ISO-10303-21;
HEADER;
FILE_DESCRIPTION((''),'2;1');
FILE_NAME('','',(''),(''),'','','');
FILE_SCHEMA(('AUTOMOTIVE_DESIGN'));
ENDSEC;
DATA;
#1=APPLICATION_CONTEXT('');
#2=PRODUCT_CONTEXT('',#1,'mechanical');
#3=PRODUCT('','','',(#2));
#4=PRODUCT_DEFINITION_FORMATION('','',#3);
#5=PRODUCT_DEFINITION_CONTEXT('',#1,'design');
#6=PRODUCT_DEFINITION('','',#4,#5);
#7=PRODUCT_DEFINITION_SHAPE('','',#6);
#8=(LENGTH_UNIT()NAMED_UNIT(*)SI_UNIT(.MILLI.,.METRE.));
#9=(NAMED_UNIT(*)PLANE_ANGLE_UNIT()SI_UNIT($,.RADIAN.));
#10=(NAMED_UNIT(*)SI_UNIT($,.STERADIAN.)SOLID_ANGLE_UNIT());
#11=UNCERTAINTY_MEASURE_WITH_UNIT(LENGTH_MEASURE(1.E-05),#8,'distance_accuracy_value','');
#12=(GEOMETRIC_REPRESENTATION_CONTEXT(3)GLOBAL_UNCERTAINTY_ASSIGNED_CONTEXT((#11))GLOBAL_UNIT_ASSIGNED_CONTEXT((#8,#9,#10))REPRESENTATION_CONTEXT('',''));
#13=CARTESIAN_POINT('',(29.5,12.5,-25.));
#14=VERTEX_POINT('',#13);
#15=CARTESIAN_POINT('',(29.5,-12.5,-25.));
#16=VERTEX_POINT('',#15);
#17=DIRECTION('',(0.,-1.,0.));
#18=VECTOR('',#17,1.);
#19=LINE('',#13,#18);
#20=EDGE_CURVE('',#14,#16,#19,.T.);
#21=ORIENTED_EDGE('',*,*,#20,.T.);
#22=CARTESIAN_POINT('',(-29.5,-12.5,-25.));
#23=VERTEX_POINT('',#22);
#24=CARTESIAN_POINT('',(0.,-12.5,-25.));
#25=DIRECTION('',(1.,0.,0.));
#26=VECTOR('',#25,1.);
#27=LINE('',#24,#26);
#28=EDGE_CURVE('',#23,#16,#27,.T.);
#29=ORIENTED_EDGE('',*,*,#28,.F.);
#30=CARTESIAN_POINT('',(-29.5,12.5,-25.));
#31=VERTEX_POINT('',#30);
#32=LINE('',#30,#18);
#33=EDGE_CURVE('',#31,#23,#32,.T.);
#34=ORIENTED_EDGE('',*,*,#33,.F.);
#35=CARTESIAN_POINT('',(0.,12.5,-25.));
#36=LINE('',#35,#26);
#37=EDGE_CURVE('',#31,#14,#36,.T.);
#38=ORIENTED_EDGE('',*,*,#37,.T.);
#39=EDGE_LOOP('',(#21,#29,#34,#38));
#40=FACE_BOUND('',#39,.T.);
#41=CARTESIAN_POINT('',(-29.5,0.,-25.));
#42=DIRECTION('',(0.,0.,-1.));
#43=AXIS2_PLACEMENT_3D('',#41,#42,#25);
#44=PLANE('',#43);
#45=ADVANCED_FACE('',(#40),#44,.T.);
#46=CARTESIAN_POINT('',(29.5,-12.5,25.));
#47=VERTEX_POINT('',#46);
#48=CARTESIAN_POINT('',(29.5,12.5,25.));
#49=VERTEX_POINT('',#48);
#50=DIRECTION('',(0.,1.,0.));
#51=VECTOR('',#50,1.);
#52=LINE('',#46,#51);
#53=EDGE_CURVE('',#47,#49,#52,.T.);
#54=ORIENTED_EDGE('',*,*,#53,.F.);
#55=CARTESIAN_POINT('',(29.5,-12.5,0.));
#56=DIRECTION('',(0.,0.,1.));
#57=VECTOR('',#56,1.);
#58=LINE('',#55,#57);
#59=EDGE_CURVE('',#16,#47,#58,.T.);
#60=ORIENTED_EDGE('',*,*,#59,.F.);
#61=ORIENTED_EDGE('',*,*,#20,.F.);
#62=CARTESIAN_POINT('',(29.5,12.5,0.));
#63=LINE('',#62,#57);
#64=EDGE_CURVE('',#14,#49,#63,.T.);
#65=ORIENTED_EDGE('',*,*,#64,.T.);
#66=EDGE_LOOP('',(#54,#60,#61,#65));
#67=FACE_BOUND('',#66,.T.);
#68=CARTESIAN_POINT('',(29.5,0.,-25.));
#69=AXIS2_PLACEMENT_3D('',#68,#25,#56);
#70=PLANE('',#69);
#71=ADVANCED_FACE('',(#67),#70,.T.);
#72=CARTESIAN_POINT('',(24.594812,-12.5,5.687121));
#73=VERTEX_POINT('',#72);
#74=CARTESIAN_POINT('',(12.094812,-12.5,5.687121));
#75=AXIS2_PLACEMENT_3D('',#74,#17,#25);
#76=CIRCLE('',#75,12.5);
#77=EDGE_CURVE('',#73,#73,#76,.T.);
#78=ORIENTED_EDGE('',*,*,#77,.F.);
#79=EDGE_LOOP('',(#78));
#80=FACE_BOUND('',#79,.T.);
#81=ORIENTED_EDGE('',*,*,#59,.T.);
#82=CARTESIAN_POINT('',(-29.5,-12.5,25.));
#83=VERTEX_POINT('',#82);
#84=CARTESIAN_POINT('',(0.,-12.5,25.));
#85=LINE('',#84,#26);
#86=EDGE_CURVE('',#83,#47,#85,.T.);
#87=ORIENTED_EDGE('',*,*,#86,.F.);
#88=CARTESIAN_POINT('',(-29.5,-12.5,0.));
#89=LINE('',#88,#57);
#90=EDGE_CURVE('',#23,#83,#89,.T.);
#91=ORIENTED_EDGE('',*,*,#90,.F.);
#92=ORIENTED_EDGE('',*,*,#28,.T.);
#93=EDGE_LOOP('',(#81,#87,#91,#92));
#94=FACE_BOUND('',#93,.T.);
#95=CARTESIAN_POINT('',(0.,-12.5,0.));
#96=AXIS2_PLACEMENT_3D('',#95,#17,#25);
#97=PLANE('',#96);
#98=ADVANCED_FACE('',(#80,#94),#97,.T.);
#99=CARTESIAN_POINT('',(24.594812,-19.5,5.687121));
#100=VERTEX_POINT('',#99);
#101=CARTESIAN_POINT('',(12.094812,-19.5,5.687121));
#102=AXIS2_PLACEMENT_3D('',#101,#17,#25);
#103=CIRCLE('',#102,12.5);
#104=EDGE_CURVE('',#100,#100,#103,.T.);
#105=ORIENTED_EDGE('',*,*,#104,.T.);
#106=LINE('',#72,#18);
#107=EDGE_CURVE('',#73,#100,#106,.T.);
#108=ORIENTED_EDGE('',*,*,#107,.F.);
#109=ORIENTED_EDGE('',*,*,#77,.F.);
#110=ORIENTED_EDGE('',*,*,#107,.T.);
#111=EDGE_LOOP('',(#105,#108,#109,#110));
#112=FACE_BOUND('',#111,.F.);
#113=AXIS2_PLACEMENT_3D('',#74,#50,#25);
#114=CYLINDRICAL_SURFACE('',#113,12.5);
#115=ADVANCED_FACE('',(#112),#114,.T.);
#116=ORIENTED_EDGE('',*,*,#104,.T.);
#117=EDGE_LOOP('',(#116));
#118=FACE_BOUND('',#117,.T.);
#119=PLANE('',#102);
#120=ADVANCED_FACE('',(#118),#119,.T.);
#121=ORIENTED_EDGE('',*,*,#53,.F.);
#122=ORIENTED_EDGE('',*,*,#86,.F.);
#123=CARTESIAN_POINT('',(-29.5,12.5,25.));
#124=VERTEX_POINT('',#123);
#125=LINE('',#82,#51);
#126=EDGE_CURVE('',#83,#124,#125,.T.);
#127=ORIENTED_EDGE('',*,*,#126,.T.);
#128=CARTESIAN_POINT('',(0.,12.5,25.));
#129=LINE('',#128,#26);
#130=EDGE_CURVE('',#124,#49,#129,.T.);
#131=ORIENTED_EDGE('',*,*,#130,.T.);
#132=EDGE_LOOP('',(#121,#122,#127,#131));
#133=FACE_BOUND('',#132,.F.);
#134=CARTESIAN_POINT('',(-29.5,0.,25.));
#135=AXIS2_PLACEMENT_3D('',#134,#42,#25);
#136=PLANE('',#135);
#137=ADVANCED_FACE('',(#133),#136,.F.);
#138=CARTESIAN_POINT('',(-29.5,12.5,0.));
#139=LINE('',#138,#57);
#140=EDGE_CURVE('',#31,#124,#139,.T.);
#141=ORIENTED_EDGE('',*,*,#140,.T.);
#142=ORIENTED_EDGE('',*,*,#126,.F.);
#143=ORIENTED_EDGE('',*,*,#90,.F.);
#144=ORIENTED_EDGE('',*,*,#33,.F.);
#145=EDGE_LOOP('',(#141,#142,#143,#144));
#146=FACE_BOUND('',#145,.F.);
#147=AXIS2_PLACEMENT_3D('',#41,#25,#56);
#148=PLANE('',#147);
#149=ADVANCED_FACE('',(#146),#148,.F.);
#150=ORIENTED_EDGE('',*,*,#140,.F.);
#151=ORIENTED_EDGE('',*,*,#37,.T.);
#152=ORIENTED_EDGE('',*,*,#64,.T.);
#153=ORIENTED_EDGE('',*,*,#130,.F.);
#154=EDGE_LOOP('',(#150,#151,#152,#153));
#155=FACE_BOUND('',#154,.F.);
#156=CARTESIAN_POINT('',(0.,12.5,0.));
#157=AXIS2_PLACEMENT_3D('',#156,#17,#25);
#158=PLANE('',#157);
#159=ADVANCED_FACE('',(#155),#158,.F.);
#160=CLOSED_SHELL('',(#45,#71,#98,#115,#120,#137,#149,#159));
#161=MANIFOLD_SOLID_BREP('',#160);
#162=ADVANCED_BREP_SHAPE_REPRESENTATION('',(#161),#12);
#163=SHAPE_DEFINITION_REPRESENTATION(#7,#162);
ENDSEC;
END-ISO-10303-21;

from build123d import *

# Parameters (mm, degrees)
F0_W     = 59
F0_H     = 50
F1_DEPTH = 12.5
F3_R     = 12.5
F4_DEPTH = 7


with BuildPart() as f1:
    # F0 (on Front) → F1 (new body, symmetric)
    with BuildSketch(Plane.XZ):
        Rectangle(F0_W, F0_H)
    extrude(amount=F1_DEPTH, both=True)

    # F3 (on face) → F4 (join)
    with BuildSketch(Plane.XZ.offset(12.5)):
        with Locations((12.0948115364, 5.6871213019)):
            Circle(F3_R)
    extrude(amount=F4_DEPTH)


solid = f1.part
